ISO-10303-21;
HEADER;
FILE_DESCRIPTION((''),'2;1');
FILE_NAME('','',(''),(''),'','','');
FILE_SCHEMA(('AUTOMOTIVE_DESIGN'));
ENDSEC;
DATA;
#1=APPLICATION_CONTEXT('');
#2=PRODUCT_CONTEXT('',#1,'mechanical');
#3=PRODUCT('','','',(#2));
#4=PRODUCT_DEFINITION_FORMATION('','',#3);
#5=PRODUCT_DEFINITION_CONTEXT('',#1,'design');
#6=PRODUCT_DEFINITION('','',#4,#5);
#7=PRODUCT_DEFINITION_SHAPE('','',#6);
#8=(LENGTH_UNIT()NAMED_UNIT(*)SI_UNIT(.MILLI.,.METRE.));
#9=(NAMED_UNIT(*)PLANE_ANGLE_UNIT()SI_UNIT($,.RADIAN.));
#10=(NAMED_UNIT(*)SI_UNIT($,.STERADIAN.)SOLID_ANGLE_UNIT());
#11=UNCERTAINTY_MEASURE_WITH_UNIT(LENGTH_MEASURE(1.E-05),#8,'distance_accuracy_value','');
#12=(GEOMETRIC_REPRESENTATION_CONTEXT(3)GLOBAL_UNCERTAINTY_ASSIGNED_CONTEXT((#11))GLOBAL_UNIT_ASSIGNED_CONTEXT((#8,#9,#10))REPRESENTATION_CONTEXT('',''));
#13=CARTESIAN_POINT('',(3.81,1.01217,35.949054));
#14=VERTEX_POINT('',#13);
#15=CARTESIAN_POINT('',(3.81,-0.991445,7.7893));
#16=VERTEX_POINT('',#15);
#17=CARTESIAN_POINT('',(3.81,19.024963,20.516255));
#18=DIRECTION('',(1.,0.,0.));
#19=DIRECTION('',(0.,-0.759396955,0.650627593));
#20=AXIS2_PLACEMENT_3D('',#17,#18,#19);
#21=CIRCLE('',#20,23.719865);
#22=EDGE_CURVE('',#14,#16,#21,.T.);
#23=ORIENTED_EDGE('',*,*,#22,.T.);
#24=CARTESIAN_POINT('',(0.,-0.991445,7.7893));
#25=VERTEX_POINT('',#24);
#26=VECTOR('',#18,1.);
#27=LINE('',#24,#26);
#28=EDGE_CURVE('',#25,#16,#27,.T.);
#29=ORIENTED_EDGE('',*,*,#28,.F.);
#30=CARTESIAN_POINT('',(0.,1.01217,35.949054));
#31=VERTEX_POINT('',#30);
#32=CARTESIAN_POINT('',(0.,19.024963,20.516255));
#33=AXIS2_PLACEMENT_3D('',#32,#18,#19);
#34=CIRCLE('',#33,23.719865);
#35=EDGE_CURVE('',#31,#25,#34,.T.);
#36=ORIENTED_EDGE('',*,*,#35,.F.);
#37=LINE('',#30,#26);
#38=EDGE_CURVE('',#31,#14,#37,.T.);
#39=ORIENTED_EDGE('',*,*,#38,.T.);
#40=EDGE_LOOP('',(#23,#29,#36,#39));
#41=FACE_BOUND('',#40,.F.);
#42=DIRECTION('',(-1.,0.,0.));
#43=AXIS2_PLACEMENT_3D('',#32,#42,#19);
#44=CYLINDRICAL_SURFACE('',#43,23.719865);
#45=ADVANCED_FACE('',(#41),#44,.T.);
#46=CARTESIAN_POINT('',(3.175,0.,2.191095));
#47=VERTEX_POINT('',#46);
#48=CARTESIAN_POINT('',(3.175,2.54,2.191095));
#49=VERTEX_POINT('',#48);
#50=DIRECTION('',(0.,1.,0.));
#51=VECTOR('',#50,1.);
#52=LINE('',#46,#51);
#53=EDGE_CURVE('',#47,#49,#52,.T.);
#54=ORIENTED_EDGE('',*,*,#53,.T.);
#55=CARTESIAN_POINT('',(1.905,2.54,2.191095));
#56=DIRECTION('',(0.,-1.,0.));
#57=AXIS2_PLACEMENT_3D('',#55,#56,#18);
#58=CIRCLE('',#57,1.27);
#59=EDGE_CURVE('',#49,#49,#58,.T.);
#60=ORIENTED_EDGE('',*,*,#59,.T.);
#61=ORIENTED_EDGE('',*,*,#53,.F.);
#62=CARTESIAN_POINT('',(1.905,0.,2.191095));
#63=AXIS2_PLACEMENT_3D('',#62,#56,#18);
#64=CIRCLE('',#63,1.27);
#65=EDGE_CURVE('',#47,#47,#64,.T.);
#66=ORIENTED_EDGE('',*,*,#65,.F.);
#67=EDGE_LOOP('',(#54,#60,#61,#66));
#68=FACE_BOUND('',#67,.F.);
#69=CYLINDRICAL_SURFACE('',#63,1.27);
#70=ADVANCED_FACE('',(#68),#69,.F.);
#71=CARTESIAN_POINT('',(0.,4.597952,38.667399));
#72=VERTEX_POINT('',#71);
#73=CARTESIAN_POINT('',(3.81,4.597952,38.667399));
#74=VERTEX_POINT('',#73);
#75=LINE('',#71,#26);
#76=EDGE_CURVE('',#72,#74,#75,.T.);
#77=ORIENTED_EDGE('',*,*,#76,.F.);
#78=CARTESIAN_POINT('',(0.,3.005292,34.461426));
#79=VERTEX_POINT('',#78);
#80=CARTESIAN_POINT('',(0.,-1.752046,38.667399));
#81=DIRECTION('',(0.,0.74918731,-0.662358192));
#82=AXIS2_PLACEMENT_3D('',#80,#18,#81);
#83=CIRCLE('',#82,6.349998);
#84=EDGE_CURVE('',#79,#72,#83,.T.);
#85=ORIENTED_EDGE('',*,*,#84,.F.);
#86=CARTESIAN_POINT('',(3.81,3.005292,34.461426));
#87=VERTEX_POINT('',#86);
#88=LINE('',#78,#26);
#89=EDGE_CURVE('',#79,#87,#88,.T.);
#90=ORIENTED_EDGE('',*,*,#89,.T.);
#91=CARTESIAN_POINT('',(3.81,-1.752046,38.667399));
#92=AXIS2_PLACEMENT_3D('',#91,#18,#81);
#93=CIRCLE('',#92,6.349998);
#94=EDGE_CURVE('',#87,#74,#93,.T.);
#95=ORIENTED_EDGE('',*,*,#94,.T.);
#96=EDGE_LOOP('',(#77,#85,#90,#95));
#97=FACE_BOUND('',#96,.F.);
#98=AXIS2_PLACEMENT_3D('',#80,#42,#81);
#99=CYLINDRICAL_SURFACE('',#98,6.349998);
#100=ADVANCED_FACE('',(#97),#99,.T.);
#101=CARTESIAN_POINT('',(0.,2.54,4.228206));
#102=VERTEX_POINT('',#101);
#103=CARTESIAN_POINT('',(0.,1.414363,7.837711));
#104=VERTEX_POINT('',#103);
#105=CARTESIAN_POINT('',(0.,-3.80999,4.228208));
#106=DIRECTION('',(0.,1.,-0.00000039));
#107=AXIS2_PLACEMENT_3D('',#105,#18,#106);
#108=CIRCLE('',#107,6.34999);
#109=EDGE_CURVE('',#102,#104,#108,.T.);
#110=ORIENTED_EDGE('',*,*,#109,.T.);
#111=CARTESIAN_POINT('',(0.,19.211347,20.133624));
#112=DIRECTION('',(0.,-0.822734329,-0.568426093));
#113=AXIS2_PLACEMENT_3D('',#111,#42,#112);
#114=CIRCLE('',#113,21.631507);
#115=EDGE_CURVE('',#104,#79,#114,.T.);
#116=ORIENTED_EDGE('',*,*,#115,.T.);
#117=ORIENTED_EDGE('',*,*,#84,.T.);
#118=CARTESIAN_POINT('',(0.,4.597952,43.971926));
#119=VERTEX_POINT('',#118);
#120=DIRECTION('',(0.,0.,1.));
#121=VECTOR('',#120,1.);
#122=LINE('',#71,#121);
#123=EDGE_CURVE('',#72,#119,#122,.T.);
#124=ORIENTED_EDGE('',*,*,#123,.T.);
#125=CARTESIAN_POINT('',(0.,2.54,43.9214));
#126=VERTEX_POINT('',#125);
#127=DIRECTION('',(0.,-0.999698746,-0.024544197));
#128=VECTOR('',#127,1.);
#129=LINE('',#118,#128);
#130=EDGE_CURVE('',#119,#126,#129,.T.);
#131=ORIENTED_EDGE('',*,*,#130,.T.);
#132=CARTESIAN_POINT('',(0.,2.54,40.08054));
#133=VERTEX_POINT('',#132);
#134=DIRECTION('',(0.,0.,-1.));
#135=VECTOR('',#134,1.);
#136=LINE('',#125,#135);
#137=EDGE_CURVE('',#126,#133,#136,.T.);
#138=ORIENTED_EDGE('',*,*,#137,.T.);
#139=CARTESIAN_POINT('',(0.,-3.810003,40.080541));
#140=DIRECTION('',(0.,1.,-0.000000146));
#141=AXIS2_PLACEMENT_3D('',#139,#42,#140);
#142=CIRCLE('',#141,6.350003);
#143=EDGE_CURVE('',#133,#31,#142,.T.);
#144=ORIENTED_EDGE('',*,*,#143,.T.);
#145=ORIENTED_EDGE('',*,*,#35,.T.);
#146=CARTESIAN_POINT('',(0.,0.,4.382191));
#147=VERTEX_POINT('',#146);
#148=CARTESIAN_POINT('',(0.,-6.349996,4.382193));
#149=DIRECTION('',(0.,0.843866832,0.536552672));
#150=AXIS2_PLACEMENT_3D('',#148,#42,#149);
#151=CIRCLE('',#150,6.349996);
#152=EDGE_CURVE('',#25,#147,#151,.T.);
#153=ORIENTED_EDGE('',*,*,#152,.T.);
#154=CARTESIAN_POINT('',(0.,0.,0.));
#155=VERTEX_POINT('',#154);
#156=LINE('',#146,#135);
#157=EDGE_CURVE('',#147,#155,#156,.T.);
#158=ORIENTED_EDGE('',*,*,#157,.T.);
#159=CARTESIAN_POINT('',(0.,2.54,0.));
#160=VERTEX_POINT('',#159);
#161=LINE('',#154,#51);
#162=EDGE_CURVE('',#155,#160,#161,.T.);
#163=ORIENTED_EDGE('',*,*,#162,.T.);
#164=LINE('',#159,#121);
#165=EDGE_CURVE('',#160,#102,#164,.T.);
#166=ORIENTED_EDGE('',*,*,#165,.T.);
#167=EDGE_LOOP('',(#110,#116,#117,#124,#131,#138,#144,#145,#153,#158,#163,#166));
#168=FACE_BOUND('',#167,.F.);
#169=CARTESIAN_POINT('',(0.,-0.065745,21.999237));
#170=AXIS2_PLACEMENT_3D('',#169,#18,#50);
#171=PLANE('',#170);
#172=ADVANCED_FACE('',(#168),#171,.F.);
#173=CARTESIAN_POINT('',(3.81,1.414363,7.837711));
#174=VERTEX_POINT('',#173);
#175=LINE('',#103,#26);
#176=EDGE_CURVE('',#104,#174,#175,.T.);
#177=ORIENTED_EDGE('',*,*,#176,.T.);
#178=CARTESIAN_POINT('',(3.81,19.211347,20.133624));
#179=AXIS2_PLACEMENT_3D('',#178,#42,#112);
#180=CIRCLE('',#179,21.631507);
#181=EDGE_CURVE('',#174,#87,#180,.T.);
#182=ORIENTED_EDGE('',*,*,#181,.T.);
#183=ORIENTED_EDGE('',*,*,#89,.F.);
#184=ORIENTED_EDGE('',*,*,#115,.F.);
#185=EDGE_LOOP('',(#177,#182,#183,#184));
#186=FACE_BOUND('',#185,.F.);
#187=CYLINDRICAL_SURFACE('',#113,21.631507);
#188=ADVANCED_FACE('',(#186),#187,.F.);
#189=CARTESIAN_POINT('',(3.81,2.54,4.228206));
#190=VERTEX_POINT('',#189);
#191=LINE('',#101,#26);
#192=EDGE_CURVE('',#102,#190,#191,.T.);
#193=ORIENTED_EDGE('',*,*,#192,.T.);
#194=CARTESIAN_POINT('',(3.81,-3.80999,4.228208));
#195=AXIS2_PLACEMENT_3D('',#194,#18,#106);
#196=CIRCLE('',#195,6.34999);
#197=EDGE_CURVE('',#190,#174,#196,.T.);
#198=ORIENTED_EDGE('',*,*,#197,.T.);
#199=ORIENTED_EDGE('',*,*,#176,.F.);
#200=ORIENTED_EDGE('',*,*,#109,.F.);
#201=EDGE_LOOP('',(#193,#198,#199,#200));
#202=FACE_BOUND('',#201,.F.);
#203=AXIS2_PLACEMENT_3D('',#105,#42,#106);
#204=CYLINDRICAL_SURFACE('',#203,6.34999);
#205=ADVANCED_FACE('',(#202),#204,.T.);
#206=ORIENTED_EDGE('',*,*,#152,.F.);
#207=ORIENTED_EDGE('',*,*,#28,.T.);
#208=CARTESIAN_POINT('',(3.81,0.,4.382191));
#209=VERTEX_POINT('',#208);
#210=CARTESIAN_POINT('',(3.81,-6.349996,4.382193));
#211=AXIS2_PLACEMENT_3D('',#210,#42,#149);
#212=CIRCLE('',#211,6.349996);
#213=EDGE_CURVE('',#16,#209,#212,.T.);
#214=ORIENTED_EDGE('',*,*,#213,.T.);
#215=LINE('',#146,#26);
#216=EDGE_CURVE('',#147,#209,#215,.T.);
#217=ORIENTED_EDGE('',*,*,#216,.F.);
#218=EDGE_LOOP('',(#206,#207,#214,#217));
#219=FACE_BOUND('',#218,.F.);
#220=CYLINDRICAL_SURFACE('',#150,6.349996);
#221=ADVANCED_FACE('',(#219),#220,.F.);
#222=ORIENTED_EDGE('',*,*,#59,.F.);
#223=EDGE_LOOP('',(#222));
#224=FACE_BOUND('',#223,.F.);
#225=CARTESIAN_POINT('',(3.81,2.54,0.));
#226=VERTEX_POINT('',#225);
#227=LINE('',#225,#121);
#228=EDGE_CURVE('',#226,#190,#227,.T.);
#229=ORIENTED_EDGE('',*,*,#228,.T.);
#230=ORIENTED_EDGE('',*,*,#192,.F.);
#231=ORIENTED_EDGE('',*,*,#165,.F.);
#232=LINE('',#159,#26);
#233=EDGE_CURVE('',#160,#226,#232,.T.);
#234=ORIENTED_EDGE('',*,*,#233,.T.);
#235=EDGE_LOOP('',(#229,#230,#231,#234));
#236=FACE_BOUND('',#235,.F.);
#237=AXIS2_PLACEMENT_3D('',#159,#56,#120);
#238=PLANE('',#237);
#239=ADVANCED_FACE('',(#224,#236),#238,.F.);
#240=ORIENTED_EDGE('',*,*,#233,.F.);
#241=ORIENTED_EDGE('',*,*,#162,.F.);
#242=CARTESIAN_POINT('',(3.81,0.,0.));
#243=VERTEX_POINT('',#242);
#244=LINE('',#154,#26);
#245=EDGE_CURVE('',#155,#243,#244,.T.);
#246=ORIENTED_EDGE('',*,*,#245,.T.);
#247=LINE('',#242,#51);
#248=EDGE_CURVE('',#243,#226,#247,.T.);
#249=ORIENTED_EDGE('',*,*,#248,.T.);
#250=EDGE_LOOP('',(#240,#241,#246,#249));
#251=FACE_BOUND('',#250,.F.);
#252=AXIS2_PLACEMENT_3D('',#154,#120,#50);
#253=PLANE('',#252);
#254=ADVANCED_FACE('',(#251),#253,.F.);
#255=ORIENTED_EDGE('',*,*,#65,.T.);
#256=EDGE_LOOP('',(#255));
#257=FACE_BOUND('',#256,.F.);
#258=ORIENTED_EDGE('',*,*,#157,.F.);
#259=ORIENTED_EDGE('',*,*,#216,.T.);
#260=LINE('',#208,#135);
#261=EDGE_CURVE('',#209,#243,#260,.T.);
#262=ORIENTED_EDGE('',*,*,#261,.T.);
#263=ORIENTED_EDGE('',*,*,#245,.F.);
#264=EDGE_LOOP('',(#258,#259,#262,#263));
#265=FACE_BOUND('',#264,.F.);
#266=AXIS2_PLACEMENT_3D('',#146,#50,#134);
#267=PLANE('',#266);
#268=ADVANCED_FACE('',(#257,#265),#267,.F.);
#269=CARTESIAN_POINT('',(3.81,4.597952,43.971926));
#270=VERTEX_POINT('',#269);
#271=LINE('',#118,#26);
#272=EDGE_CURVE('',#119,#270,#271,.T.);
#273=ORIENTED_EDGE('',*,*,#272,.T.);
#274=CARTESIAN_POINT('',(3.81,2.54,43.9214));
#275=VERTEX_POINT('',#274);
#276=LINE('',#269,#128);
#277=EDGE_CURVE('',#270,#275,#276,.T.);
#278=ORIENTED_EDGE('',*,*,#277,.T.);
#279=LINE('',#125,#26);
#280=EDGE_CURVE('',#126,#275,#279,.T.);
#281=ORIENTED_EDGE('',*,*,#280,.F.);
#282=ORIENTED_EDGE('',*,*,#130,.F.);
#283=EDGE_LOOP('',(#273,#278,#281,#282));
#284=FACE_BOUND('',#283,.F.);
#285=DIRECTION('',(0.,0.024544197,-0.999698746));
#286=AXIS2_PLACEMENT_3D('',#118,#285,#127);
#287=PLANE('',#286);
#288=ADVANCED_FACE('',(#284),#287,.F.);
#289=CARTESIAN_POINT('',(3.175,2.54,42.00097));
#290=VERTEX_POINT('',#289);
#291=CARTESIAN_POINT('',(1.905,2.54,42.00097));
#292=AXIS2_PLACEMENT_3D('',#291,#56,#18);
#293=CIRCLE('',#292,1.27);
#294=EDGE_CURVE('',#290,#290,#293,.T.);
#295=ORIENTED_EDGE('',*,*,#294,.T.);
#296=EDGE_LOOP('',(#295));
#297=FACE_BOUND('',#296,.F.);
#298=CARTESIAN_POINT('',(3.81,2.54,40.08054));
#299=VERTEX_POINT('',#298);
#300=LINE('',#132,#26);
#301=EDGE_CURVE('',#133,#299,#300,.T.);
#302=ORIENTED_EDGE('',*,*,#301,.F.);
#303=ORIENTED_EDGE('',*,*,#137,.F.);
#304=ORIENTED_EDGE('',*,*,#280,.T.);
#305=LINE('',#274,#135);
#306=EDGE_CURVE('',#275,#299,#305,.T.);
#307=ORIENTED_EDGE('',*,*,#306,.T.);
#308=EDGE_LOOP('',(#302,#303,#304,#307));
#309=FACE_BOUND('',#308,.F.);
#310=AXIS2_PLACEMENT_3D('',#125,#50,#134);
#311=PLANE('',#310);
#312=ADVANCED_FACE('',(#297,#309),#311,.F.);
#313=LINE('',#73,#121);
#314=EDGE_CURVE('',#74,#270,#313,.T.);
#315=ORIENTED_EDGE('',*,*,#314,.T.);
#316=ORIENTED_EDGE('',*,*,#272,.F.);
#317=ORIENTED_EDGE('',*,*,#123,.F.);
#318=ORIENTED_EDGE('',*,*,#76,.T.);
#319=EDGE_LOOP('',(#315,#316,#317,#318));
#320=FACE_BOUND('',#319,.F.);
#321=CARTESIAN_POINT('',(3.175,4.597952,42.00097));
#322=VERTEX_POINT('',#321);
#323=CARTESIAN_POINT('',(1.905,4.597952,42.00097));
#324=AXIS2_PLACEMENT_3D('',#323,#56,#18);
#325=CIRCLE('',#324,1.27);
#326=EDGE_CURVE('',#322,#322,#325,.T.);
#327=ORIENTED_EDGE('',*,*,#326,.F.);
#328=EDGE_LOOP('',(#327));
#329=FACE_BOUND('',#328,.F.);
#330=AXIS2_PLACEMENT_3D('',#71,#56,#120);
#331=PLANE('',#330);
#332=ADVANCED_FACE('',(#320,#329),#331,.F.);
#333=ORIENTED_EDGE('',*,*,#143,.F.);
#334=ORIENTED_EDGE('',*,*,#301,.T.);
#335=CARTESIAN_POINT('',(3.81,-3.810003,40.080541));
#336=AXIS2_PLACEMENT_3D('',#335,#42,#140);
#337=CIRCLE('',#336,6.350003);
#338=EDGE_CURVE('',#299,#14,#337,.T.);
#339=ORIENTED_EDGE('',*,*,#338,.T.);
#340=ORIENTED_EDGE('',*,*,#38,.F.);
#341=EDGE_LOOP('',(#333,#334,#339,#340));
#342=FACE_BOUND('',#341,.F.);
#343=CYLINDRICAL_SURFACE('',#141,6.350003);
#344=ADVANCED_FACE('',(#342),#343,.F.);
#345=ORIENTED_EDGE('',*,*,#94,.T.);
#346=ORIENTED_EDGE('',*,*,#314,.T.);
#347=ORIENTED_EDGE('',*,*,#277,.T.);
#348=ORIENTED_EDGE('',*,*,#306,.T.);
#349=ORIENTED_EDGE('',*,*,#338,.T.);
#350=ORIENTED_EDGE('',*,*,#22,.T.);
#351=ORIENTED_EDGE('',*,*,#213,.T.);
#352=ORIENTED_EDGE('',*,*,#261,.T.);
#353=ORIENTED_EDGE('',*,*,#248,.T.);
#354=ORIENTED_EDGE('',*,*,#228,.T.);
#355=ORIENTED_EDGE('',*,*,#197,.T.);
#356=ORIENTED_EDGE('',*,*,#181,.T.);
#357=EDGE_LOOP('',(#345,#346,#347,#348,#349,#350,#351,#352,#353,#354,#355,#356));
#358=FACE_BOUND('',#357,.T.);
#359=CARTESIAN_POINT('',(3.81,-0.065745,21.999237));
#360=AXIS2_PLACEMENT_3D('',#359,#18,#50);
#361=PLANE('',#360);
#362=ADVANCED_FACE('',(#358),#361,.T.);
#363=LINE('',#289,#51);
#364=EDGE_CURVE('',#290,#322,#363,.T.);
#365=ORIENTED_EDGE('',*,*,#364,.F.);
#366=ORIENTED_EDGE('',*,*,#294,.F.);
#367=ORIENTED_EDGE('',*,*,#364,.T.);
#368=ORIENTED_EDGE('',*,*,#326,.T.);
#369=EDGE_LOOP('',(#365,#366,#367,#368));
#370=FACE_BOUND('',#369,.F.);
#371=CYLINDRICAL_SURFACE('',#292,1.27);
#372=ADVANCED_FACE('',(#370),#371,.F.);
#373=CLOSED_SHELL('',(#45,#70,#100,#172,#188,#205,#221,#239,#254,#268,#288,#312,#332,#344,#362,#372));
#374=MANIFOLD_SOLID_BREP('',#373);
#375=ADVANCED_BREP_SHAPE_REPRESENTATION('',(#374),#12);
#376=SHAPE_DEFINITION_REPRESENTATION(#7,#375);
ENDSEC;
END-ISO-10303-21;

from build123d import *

# Parameters (mm, degrees)
F1_DEPTH = 3.81
F2_R     = 1.27
F3_DEPTH = 25.4
F4_R     = 1.27
F5_DEPTH = 9.4996


with BuildPart() as f1:
    # F0 (on Right) → F1 (new body)
    with BuildSketch(Plane.YZ):
        with BuildLine():
            Line((0, 4.382191), (0, 0))
            Line((0, 0), (2.54, 0))
            Line((2.54, 0), (2.54, 4.228206))
            ThreePointArc((2.54, 4.228206), (2.252063, 6.118681), (1.414363, 7.837711))
            ThreePointArc((1.414363, 7.837711), (-2.381643, 21.423937), (3.005292, 34.461426))
            ThreePointArc((3.005292, 34.461426), (4.186454, 36.41869), (4.597952, 38.667399))
            Line((4.597952, 38.667399), (4.597952, 43.971926))
            Line((4.597952, 43.971926), (2.54, 43.9214))
            Line((2.54, 43.9214), (2.54, 40.08054))
            ThreePointArc((2.54, 40.08054), (2.145807, 37.878073), (1.01217, 35.949054))
            ThreePointArc((1.01217, 35.949054), (-4.635087, 22.199709), (-0.991445, 7.7893))
            ThreePointArc((-0.991445, 7.7893), (-0.252897, 6.156406), (0, 4.382191))
        make_face()
    extrude(amount=F1_DEPTH)

    # F2 (on face) → F3 (cut)
    with BuildSketch(Plane.XZ.offset(-2.54)):
        with Locations((1.905, 42.00097)):
            Circle(F2_R)
    extrude(amount=-F3_DEPTH, mode=Mode.SUBTRACT)

    # F4 (on face) → F5 (cut)
    with BuildSketch(Plane.XZ):
        with Locations((1.905, 2.191095)):
            Circle(F4_R)
    extrude(amount=-F5_DEPTH, mode=Mode.SUBTRACT)


solid = f1.part
